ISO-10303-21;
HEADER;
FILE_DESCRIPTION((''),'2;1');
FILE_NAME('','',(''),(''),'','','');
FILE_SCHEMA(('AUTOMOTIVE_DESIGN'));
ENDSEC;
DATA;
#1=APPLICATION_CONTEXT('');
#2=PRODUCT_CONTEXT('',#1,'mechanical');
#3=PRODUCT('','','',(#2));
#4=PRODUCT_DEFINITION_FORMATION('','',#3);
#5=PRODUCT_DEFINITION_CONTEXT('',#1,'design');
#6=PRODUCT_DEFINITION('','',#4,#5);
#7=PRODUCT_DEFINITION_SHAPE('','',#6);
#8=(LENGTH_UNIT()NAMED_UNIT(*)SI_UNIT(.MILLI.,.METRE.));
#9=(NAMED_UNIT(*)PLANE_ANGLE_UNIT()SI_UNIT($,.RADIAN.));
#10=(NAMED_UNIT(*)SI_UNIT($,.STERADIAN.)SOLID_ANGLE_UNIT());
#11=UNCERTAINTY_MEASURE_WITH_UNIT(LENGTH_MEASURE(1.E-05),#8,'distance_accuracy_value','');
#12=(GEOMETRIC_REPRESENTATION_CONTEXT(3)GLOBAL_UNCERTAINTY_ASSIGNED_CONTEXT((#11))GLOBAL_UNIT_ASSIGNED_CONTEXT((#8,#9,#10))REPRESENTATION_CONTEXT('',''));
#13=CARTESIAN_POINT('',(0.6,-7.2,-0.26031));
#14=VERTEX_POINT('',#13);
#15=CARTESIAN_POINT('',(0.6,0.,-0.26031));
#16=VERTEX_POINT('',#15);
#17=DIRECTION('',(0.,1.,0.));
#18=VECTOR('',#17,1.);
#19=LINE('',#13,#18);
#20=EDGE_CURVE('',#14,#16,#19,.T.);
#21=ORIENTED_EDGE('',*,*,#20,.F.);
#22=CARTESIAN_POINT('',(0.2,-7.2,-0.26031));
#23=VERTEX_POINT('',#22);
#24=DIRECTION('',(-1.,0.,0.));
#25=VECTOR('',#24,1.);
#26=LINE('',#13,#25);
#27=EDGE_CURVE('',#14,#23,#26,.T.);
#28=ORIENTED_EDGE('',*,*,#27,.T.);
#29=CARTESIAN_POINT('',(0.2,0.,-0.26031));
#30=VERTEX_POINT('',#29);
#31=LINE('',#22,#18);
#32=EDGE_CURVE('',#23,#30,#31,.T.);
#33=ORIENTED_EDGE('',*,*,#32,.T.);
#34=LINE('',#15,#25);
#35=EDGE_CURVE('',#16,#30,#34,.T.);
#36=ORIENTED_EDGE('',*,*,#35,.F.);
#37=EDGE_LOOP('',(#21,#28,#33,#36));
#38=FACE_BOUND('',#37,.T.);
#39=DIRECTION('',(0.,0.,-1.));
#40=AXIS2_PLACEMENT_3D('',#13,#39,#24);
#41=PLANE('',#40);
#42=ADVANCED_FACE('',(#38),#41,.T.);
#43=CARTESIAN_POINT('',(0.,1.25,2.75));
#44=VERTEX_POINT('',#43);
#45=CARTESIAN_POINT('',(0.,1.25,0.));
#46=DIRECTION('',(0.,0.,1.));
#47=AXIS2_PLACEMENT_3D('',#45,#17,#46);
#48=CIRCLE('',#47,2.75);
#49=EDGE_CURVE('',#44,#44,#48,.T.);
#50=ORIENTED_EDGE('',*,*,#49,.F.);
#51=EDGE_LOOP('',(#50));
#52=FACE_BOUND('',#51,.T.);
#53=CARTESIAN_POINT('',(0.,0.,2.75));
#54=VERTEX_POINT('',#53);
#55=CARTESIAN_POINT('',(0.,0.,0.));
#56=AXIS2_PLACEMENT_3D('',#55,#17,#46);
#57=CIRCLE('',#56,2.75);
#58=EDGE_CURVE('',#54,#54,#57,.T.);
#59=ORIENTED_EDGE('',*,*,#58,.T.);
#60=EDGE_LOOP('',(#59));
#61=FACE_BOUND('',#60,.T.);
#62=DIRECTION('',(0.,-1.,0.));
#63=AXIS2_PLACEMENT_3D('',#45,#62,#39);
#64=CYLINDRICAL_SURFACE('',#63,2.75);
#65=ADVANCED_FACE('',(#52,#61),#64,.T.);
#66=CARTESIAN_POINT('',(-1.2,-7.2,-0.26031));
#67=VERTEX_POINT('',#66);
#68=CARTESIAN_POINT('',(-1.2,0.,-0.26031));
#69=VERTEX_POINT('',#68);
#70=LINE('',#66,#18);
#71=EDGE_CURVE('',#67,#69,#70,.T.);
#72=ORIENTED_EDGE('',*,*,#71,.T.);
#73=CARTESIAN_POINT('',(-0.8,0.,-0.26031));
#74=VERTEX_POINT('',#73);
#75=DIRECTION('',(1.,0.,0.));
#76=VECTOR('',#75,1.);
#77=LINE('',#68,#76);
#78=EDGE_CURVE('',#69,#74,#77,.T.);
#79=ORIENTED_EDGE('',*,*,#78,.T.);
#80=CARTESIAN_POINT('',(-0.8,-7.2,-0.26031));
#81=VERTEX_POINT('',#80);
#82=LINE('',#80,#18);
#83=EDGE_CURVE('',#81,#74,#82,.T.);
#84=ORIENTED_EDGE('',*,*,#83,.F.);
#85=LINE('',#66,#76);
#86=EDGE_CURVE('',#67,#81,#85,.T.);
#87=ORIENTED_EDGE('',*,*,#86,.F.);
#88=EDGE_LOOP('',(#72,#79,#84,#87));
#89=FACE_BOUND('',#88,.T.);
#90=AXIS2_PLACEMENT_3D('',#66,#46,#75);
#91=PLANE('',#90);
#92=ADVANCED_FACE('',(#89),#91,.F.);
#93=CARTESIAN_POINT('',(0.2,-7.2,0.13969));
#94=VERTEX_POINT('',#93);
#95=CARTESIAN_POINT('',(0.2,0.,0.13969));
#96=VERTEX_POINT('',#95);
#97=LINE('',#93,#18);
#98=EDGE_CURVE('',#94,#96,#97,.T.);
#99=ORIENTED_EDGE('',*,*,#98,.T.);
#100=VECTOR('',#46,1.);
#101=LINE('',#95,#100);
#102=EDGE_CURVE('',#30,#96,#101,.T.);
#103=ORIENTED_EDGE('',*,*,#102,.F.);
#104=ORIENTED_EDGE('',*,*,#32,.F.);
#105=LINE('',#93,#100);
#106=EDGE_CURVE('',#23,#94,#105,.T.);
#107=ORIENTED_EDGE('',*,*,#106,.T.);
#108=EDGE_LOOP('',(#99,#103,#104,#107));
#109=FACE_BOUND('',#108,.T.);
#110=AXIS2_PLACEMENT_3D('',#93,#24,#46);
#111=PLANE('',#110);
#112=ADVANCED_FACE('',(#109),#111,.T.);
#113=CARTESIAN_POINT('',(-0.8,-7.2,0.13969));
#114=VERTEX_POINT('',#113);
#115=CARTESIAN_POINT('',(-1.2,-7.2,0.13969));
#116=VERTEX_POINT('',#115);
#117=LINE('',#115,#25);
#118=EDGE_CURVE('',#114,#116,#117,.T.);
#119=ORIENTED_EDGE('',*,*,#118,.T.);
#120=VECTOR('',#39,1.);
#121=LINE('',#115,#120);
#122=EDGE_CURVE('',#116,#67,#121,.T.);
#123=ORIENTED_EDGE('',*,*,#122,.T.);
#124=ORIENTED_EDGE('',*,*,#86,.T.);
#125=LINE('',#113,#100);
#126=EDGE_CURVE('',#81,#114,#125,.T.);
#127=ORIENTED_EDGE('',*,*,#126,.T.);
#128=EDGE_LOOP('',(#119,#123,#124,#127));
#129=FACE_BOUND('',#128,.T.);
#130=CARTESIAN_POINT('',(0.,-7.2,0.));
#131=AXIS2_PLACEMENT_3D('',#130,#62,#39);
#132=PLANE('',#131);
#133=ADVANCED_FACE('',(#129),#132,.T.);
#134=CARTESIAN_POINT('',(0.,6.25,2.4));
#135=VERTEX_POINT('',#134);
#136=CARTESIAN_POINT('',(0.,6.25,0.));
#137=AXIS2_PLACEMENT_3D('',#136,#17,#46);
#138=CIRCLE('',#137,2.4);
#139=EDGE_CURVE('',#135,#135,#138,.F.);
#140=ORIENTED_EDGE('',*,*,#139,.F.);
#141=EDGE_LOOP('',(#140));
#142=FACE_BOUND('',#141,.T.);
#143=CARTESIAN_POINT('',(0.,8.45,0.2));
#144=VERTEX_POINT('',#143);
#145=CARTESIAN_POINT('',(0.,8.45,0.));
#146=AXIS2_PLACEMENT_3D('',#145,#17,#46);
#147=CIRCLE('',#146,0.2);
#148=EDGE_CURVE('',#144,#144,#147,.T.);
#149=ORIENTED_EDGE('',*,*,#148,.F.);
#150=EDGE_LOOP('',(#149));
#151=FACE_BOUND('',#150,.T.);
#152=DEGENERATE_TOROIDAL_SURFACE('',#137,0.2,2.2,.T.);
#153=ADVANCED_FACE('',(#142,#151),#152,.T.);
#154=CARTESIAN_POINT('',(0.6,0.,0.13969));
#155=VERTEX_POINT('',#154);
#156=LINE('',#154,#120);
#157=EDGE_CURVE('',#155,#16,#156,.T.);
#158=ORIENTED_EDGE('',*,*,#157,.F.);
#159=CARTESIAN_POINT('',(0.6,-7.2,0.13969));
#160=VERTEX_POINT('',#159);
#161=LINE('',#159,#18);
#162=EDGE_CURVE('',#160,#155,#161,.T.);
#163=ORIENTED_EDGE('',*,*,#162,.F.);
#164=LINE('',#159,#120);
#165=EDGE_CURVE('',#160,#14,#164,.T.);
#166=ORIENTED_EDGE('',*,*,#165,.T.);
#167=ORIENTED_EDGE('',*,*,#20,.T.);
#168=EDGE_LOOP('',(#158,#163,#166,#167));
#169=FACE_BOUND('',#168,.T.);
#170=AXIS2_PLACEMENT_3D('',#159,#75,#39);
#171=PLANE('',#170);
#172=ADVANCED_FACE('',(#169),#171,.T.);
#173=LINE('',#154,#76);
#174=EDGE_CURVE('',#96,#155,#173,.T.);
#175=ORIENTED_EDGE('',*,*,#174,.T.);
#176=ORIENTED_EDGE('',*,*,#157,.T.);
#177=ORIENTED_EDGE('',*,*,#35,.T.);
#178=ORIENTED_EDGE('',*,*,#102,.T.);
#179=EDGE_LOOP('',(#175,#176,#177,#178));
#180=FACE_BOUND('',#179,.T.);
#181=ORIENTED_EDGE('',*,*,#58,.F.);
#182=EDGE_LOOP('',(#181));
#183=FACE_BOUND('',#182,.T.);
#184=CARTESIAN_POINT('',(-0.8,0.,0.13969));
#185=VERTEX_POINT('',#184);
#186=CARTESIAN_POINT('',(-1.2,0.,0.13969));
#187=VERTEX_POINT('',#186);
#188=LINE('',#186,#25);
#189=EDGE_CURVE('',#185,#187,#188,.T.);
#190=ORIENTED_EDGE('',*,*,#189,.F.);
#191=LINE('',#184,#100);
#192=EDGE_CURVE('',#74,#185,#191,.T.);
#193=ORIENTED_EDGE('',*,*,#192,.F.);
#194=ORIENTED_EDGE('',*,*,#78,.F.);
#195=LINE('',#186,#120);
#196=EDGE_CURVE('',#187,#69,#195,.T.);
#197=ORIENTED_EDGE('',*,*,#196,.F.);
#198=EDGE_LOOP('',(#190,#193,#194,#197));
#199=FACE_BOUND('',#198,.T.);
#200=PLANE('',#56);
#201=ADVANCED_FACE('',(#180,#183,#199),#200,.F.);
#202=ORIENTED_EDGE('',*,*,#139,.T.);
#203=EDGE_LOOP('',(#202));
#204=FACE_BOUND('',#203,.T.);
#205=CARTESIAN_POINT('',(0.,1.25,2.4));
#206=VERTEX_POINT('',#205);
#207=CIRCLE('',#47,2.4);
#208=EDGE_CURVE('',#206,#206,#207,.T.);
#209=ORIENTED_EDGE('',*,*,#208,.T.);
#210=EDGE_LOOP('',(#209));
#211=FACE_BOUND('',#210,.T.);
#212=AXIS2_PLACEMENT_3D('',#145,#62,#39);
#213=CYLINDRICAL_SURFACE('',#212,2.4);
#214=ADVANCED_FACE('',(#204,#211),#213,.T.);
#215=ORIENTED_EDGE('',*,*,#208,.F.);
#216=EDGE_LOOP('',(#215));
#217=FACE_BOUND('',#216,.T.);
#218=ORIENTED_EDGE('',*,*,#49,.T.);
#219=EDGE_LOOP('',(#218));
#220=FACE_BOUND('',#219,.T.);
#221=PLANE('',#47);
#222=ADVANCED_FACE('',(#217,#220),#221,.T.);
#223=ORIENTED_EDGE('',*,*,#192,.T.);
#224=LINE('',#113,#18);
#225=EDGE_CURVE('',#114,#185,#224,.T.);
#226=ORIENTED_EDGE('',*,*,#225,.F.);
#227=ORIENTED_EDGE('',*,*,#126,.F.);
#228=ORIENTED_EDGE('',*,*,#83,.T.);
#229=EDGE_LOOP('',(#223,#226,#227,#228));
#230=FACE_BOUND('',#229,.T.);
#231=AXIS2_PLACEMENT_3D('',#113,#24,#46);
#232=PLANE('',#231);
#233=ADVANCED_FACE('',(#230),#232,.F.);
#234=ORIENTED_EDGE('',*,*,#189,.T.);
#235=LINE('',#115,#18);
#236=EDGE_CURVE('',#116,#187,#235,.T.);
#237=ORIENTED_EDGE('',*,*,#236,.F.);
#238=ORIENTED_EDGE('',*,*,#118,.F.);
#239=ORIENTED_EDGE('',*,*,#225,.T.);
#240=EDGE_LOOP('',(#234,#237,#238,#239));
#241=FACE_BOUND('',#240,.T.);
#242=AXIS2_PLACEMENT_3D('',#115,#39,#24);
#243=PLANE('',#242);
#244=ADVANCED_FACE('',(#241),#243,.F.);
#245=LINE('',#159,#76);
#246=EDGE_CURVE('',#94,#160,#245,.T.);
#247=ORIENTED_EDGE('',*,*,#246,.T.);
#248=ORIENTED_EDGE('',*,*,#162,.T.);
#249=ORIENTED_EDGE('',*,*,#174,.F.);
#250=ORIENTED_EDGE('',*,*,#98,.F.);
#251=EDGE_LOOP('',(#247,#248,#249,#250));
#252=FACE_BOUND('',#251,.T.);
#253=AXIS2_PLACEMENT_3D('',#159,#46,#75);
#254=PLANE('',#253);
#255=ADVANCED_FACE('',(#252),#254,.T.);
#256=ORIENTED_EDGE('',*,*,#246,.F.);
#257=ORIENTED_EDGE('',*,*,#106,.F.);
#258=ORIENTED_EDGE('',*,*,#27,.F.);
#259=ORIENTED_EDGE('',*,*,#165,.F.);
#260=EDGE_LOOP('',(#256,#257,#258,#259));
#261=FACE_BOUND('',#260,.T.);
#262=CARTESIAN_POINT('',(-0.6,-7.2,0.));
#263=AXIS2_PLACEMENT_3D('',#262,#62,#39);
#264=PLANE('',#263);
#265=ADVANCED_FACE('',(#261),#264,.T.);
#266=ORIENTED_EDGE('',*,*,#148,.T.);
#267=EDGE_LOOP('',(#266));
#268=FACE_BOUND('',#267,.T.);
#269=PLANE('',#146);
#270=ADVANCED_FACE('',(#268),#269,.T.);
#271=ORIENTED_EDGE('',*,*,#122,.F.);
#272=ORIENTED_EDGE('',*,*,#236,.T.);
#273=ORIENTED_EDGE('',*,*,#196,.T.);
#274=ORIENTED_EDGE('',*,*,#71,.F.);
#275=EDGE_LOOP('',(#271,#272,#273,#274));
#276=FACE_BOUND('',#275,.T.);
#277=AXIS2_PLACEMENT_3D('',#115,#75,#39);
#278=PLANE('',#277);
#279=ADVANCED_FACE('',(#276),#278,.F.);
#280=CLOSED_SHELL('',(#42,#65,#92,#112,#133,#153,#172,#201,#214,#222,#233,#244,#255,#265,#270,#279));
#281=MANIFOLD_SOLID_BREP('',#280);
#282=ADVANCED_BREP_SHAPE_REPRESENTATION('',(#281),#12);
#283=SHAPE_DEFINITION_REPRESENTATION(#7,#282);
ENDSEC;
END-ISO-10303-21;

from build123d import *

# Parameters (mm, degrees)
SKETCH1_R           = 2.75
BOSS_EXTRUDE1_DEPTH = 1.25
SKETCH2_R           = 2.4
BOSS_EXTRUDE2_DEPTH = 7.2
FILLET1_R           = 2.2
SKETCH3_W           = 0.4
SKETCH3_H           = 0.4
BOSS_EXTRUDE3_DEPTH = 7.2


with BuildPart() as part:
    # Sketch1 → Boss-Extrude1 (new body)
    with BuildSketch(Plane(origin=(0, 0, 0), x_dir=(1, 0, 0), z_dir=(0, 1, 0))):
        Circle(SKETCH1_R)
    extrude(amount=BOSS_EXTRUDE1_DEPTH)

    # Sketch2 → Boss-Extrude2 (add)
    with BuildSketch(Plane(origin=(0, 1.25, 0), x_dir=(1, 0, 0), z_dir=(0, 1, 0))):
        Circle(SKETCH2_R)
    extrude(amount=BOSS_EXTRUDE2_DEPTH)

    # Fillet1
    fillet1_edges = [part.edges().sort_by_distance(p)[0] for p in [
        (-2.4, 8.45, 0),
    ]]
    fillet(fillet1_edges, radius=FILLET1_R)

    # Sketch3 → Boss-Extrude3 (add)
    with BuildSketch(Plane.XZ):
        with Locations((-1, -0.060309903)):
            Rectangle(SKETCH3_W, SKETCH3_H)
    boss_extrude3 = extrude(amount=BOSS_EXTRUDE3_DEPTH)

    # Mirror2: Boss-Extrude3 across plane
    add(boss_extrude3.mirror(Plane(origin=(-0.3, 0, 0), x_dir=(0, 0, 1), z_dir=(1, 0, 0))))


solid = part.part
